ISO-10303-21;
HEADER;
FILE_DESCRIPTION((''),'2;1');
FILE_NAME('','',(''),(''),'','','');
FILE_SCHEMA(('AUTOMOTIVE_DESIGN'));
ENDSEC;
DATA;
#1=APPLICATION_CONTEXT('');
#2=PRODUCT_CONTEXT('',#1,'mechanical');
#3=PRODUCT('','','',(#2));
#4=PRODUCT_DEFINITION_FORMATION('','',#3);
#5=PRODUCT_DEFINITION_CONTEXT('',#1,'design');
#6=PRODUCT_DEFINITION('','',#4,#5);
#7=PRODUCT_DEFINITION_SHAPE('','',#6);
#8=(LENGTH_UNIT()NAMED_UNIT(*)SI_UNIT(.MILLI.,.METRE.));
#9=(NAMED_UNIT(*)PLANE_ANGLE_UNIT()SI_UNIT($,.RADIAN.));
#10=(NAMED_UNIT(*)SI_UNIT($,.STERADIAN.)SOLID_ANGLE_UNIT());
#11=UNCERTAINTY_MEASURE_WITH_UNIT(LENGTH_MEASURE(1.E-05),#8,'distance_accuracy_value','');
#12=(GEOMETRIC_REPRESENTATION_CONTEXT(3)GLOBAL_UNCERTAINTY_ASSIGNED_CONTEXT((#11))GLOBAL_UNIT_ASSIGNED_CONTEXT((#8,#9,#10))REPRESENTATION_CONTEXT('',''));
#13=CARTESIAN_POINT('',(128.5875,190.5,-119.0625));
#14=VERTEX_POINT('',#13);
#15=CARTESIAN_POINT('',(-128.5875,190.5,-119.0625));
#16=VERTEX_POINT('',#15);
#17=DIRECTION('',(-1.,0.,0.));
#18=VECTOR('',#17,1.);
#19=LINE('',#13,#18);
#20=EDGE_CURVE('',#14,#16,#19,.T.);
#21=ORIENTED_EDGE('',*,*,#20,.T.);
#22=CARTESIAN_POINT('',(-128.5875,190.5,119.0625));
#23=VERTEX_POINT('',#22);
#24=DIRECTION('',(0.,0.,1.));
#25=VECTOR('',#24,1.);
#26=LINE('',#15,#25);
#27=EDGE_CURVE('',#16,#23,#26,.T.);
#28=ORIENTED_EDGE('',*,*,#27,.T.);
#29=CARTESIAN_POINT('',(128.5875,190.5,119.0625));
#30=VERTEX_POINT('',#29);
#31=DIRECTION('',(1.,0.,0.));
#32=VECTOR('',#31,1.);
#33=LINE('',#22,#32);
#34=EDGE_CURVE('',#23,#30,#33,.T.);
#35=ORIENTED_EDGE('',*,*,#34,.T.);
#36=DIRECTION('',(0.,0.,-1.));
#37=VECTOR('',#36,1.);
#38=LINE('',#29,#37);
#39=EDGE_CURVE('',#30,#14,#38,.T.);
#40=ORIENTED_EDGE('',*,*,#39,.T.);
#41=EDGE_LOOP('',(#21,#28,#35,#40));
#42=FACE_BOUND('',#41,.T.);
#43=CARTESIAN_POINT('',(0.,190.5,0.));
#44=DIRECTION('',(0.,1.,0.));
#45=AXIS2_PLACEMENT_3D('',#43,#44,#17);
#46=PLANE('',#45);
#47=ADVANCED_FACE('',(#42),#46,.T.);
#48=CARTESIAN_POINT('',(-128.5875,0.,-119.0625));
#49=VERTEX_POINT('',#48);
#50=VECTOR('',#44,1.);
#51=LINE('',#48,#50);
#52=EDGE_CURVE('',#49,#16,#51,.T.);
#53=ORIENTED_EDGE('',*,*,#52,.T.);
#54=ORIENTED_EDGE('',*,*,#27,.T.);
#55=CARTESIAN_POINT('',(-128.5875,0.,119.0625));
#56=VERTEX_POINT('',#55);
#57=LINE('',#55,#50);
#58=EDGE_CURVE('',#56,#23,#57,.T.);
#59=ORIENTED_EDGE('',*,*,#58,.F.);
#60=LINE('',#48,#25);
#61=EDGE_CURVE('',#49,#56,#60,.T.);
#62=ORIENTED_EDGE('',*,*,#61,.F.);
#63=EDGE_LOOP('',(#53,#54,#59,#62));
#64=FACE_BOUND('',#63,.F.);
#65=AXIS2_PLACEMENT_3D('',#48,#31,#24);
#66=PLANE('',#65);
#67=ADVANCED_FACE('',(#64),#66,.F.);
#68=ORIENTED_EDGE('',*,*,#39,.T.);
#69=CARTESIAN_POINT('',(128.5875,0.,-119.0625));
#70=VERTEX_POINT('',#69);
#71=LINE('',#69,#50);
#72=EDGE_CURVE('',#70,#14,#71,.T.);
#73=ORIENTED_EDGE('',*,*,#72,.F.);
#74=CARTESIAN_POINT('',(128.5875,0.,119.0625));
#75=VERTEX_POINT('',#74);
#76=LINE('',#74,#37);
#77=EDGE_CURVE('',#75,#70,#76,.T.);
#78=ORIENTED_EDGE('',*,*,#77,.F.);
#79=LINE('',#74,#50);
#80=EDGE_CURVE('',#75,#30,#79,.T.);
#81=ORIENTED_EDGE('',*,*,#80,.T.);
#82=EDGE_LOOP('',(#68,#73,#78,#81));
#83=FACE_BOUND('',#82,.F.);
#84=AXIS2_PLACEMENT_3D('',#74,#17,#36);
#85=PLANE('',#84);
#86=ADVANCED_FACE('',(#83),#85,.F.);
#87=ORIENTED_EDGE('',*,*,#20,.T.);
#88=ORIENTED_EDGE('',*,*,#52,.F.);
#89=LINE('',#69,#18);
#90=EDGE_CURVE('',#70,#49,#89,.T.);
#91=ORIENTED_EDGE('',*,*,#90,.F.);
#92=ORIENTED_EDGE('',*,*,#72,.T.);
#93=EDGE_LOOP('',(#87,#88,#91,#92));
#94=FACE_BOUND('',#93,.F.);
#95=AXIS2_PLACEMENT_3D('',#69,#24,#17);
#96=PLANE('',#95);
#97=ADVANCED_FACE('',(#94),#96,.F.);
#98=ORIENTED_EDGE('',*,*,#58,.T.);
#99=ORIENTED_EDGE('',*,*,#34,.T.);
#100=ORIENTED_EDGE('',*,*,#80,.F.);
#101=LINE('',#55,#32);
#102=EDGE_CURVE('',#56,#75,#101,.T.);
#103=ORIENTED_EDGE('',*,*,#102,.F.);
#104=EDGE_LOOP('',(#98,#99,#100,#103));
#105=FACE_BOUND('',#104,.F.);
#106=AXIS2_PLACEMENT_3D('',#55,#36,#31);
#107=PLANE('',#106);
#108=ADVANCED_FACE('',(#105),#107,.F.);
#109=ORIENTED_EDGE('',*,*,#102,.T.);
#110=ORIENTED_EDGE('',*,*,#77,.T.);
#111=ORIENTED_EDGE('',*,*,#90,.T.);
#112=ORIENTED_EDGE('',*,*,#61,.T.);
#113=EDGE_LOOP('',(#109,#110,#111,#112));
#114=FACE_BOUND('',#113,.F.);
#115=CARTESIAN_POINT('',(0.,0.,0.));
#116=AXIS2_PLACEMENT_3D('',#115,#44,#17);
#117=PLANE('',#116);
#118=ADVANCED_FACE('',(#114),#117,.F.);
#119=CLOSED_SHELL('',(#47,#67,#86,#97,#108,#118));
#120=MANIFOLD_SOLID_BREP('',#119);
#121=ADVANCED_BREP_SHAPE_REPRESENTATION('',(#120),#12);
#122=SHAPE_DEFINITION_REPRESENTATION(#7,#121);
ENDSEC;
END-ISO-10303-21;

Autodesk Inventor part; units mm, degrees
ref_plane "YZ Plane" through (0, 0, 0) normal (1, 0, 0) x (0, 1, 0)
ref_plane "XZ Plane" through (0, 0, 0) normal (0, 1, 0) x (-1, 0, 0)
ref_plane "XY Plane" through (0, 0, 0) normal (0, 0, 1) x (1, 0, 0)
sketch "Sketch1" plane through (0, 0, 0) normal (0, 1, 0) x (-1, 0, 0)
  line L0 (-128.5875, -119.0625) -> (128.5875, -119.0625)
  line L1 (128.5875, -119.0625) -> (128.5875, 119.0625)
  line L2 (128.5875, 119.0625) -> (-128.5875, 119.0625)
  line L3 (-128.5875, 119.0625) -> (-128.5875, -119.0625)
  line L4 (-128.5875, -119.0625) -> (128.5875, 119.0625) construction
  line L5 (128.5875, -119.0625) -> (-128.5875, 119.0625) construction
  point P0 (0, 0)
  dimension "d0" = 257.175
  dimension "d1" = 238.125
extrude "Extrusion1" add sketch "Sketch1" along normal blind 190.5
properties part number "NI PXIe_1071"
